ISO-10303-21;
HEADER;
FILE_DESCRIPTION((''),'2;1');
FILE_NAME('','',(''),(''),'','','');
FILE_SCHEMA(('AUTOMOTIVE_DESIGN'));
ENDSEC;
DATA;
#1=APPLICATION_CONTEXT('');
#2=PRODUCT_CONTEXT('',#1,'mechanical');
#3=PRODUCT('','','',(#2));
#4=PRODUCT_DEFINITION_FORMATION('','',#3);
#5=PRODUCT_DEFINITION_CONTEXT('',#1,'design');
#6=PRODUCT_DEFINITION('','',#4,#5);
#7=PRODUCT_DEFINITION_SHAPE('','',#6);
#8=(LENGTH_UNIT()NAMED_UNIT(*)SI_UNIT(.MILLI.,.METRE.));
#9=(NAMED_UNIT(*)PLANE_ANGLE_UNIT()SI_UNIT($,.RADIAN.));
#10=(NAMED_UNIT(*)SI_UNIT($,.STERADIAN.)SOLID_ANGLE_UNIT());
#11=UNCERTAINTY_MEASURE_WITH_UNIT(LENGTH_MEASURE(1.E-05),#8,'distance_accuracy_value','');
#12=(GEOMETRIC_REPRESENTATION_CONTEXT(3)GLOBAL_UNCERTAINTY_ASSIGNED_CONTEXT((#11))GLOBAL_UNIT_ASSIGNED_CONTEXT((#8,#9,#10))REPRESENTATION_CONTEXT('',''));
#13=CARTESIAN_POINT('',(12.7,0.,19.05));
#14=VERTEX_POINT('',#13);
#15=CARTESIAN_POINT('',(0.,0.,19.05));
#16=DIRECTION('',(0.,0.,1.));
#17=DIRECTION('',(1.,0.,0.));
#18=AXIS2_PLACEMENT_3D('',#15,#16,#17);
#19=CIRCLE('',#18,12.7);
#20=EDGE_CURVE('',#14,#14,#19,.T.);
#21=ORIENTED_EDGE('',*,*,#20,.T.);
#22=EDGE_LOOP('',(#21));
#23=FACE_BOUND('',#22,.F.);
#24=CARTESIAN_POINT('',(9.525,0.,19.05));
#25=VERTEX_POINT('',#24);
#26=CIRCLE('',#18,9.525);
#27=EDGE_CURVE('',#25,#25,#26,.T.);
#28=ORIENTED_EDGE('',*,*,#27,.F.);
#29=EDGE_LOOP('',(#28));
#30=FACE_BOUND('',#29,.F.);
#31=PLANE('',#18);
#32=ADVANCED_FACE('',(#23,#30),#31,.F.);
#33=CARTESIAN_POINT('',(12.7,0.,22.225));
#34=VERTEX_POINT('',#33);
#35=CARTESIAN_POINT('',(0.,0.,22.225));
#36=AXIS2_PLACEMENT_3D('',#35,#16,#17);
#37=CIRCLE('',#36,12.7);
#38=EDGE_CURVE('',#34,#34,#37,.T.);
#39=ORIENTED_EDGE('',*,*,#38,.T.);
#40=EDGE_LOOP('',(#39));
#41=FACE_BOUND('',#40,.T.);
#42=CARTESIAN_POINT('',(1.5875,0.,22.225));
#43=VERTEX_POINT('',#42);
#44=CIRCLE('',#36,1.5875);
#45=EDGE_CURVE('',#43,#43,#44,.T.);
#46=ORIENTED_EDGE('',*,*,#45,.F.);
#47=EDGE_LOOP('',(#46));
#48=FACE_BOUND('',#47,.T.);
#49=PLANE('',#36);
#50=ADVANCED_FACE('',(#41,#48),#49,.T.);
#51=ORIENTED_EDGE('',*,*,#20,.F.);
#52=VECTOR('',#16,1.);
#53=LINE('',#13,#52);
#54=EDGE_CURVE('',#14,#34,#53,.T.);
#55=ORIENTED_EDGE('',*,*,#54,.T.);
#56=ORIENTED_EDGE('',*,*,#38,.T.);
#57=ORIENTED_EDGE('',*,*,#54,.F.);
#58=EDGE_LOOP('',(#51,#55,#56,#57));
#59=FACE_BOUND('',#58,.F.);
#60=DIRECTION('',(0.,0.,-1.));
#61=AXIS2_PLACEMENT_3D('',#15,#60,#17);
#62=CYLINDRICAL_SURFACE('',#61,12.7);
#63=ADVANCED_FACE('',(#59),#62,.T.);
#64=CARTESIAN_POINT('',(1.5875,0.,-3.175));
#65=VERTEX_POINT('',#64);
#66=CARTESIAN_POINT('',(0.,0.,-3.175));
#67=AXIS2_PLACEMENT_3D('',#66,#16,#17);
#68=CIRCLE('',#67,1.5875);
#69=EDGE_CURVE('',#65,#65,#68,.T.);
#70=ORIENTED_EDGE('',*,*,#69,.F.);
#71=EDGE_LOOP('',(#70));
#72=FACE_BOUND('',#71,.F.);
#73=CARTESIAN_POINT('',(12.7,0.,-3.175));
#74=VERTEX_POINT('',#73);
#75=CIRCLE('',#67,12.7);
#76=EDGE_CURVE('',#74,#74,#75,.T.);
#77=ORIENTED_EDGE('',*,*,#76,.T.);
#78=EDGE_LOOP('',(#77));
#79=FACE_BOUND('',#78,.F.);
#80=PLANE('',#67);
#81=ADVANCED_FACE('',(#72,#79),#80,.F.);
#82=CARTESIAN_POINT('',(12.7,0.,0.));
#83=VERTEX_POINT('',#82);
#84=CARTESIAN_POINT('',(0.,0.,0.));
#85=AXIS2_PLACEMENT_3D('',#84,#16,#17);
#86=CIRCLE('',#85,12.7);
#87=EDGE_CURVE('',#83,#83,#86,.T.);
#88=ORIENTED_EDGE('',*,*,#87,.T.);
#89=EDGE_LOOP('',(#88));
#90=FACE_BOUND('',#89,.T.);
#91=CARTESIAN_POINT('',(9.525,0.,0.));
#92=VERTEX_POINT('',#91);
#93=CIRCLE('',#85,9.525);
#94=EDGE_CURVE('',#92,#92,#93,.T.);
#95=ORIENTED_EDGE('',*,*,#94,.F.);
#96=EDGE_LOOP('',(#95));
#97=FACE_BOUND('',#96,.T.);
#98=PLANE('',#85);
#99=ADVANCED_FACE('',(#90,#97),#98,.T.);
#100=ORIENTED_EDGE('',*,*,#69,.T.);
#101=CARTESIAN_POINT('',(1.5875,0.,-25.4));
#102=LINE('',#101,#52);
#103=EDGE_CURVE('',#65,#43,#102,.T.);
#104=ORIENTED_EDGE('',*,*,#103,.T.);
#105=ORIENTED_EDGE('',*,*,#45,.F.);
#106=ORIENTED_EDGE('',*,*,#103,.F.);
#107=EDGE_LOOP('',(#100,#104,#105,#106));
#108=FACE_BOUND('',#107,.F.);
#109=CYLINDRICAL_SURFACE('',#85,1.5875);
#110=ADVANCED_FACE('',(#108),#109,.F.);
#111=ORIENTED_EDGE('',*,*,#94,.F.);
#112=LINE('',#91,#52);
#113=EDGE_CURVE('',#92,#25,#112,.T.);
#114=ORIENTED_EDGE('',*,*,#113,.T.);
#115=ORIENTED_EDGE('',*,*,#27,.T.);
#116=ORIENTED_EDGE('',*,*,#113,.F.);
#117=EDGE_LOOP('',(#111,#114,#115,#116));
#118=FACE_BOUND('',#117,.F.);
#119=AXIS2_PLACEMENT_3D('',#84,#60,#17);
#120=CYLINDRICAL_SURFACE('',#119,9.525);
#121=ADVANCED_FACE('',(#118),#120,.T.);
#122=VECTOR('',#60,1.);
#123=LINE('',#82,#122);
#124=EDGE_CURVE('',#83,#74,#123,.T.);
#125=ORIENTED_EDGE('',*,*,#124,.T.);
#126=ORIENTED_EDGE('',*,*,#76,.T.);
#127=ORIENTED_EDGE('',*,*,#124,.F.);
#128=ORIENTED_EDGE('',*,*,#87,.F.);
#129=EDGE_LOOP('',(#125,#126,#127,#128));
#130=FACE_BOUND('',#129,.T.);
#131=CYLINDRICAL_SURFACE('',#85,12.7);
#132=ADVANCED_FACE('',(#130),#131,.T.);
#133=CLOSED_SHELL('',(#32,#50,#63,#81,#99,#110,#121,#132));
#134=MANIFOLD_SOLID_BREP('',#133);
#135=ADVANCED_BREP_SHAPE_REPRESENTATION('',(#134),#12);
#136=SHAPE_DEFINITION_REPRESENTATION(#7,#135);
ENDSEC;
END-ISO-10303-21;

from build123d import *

# Parameters (mm, degrees)
F0_R     = 9.525
F1_DEPTH = 19.05
F2_R     = 12.7
F3_DEPTH = 3.175
F4_R     = 12.7
F4_R_2   = 9.525
F5_DEPTH = 3.175
F6_R     = 1.5875
F7_DEPTH = 25.4


with BuildPart() as f1:
    # F0 (on Top) → F1 (new body)
    with BuildSketch(Plane.XY):
        Circle(F0_R)
    extrude(amount=F1_DEPTH)

    # F2 (on Top) → F3 (join)
    with BuildSketch(Plane.XY):
        Circle(F2_R)
    extrude(amount=-F3_DEPTH)

    # F4 (on face) → F5 (join)
    with BuildSketch(Plane.XY.offset(19.05)):
        Circle(F4_R)
        Circle(F4_R_2, mode=Mode.SUBTRACT)
        Circle(F4_R_2)
    extrude(amount=F5_DEPTH)

    # F6 (on Top) → F7 (cut, symmetric)
    with BuildSketch(Plane.XY):
        Circle(F6_R)
    extrude(amount=F7_DEPTH, both=True, mode=Mode.SUBTRACT)


solid = f1.part
